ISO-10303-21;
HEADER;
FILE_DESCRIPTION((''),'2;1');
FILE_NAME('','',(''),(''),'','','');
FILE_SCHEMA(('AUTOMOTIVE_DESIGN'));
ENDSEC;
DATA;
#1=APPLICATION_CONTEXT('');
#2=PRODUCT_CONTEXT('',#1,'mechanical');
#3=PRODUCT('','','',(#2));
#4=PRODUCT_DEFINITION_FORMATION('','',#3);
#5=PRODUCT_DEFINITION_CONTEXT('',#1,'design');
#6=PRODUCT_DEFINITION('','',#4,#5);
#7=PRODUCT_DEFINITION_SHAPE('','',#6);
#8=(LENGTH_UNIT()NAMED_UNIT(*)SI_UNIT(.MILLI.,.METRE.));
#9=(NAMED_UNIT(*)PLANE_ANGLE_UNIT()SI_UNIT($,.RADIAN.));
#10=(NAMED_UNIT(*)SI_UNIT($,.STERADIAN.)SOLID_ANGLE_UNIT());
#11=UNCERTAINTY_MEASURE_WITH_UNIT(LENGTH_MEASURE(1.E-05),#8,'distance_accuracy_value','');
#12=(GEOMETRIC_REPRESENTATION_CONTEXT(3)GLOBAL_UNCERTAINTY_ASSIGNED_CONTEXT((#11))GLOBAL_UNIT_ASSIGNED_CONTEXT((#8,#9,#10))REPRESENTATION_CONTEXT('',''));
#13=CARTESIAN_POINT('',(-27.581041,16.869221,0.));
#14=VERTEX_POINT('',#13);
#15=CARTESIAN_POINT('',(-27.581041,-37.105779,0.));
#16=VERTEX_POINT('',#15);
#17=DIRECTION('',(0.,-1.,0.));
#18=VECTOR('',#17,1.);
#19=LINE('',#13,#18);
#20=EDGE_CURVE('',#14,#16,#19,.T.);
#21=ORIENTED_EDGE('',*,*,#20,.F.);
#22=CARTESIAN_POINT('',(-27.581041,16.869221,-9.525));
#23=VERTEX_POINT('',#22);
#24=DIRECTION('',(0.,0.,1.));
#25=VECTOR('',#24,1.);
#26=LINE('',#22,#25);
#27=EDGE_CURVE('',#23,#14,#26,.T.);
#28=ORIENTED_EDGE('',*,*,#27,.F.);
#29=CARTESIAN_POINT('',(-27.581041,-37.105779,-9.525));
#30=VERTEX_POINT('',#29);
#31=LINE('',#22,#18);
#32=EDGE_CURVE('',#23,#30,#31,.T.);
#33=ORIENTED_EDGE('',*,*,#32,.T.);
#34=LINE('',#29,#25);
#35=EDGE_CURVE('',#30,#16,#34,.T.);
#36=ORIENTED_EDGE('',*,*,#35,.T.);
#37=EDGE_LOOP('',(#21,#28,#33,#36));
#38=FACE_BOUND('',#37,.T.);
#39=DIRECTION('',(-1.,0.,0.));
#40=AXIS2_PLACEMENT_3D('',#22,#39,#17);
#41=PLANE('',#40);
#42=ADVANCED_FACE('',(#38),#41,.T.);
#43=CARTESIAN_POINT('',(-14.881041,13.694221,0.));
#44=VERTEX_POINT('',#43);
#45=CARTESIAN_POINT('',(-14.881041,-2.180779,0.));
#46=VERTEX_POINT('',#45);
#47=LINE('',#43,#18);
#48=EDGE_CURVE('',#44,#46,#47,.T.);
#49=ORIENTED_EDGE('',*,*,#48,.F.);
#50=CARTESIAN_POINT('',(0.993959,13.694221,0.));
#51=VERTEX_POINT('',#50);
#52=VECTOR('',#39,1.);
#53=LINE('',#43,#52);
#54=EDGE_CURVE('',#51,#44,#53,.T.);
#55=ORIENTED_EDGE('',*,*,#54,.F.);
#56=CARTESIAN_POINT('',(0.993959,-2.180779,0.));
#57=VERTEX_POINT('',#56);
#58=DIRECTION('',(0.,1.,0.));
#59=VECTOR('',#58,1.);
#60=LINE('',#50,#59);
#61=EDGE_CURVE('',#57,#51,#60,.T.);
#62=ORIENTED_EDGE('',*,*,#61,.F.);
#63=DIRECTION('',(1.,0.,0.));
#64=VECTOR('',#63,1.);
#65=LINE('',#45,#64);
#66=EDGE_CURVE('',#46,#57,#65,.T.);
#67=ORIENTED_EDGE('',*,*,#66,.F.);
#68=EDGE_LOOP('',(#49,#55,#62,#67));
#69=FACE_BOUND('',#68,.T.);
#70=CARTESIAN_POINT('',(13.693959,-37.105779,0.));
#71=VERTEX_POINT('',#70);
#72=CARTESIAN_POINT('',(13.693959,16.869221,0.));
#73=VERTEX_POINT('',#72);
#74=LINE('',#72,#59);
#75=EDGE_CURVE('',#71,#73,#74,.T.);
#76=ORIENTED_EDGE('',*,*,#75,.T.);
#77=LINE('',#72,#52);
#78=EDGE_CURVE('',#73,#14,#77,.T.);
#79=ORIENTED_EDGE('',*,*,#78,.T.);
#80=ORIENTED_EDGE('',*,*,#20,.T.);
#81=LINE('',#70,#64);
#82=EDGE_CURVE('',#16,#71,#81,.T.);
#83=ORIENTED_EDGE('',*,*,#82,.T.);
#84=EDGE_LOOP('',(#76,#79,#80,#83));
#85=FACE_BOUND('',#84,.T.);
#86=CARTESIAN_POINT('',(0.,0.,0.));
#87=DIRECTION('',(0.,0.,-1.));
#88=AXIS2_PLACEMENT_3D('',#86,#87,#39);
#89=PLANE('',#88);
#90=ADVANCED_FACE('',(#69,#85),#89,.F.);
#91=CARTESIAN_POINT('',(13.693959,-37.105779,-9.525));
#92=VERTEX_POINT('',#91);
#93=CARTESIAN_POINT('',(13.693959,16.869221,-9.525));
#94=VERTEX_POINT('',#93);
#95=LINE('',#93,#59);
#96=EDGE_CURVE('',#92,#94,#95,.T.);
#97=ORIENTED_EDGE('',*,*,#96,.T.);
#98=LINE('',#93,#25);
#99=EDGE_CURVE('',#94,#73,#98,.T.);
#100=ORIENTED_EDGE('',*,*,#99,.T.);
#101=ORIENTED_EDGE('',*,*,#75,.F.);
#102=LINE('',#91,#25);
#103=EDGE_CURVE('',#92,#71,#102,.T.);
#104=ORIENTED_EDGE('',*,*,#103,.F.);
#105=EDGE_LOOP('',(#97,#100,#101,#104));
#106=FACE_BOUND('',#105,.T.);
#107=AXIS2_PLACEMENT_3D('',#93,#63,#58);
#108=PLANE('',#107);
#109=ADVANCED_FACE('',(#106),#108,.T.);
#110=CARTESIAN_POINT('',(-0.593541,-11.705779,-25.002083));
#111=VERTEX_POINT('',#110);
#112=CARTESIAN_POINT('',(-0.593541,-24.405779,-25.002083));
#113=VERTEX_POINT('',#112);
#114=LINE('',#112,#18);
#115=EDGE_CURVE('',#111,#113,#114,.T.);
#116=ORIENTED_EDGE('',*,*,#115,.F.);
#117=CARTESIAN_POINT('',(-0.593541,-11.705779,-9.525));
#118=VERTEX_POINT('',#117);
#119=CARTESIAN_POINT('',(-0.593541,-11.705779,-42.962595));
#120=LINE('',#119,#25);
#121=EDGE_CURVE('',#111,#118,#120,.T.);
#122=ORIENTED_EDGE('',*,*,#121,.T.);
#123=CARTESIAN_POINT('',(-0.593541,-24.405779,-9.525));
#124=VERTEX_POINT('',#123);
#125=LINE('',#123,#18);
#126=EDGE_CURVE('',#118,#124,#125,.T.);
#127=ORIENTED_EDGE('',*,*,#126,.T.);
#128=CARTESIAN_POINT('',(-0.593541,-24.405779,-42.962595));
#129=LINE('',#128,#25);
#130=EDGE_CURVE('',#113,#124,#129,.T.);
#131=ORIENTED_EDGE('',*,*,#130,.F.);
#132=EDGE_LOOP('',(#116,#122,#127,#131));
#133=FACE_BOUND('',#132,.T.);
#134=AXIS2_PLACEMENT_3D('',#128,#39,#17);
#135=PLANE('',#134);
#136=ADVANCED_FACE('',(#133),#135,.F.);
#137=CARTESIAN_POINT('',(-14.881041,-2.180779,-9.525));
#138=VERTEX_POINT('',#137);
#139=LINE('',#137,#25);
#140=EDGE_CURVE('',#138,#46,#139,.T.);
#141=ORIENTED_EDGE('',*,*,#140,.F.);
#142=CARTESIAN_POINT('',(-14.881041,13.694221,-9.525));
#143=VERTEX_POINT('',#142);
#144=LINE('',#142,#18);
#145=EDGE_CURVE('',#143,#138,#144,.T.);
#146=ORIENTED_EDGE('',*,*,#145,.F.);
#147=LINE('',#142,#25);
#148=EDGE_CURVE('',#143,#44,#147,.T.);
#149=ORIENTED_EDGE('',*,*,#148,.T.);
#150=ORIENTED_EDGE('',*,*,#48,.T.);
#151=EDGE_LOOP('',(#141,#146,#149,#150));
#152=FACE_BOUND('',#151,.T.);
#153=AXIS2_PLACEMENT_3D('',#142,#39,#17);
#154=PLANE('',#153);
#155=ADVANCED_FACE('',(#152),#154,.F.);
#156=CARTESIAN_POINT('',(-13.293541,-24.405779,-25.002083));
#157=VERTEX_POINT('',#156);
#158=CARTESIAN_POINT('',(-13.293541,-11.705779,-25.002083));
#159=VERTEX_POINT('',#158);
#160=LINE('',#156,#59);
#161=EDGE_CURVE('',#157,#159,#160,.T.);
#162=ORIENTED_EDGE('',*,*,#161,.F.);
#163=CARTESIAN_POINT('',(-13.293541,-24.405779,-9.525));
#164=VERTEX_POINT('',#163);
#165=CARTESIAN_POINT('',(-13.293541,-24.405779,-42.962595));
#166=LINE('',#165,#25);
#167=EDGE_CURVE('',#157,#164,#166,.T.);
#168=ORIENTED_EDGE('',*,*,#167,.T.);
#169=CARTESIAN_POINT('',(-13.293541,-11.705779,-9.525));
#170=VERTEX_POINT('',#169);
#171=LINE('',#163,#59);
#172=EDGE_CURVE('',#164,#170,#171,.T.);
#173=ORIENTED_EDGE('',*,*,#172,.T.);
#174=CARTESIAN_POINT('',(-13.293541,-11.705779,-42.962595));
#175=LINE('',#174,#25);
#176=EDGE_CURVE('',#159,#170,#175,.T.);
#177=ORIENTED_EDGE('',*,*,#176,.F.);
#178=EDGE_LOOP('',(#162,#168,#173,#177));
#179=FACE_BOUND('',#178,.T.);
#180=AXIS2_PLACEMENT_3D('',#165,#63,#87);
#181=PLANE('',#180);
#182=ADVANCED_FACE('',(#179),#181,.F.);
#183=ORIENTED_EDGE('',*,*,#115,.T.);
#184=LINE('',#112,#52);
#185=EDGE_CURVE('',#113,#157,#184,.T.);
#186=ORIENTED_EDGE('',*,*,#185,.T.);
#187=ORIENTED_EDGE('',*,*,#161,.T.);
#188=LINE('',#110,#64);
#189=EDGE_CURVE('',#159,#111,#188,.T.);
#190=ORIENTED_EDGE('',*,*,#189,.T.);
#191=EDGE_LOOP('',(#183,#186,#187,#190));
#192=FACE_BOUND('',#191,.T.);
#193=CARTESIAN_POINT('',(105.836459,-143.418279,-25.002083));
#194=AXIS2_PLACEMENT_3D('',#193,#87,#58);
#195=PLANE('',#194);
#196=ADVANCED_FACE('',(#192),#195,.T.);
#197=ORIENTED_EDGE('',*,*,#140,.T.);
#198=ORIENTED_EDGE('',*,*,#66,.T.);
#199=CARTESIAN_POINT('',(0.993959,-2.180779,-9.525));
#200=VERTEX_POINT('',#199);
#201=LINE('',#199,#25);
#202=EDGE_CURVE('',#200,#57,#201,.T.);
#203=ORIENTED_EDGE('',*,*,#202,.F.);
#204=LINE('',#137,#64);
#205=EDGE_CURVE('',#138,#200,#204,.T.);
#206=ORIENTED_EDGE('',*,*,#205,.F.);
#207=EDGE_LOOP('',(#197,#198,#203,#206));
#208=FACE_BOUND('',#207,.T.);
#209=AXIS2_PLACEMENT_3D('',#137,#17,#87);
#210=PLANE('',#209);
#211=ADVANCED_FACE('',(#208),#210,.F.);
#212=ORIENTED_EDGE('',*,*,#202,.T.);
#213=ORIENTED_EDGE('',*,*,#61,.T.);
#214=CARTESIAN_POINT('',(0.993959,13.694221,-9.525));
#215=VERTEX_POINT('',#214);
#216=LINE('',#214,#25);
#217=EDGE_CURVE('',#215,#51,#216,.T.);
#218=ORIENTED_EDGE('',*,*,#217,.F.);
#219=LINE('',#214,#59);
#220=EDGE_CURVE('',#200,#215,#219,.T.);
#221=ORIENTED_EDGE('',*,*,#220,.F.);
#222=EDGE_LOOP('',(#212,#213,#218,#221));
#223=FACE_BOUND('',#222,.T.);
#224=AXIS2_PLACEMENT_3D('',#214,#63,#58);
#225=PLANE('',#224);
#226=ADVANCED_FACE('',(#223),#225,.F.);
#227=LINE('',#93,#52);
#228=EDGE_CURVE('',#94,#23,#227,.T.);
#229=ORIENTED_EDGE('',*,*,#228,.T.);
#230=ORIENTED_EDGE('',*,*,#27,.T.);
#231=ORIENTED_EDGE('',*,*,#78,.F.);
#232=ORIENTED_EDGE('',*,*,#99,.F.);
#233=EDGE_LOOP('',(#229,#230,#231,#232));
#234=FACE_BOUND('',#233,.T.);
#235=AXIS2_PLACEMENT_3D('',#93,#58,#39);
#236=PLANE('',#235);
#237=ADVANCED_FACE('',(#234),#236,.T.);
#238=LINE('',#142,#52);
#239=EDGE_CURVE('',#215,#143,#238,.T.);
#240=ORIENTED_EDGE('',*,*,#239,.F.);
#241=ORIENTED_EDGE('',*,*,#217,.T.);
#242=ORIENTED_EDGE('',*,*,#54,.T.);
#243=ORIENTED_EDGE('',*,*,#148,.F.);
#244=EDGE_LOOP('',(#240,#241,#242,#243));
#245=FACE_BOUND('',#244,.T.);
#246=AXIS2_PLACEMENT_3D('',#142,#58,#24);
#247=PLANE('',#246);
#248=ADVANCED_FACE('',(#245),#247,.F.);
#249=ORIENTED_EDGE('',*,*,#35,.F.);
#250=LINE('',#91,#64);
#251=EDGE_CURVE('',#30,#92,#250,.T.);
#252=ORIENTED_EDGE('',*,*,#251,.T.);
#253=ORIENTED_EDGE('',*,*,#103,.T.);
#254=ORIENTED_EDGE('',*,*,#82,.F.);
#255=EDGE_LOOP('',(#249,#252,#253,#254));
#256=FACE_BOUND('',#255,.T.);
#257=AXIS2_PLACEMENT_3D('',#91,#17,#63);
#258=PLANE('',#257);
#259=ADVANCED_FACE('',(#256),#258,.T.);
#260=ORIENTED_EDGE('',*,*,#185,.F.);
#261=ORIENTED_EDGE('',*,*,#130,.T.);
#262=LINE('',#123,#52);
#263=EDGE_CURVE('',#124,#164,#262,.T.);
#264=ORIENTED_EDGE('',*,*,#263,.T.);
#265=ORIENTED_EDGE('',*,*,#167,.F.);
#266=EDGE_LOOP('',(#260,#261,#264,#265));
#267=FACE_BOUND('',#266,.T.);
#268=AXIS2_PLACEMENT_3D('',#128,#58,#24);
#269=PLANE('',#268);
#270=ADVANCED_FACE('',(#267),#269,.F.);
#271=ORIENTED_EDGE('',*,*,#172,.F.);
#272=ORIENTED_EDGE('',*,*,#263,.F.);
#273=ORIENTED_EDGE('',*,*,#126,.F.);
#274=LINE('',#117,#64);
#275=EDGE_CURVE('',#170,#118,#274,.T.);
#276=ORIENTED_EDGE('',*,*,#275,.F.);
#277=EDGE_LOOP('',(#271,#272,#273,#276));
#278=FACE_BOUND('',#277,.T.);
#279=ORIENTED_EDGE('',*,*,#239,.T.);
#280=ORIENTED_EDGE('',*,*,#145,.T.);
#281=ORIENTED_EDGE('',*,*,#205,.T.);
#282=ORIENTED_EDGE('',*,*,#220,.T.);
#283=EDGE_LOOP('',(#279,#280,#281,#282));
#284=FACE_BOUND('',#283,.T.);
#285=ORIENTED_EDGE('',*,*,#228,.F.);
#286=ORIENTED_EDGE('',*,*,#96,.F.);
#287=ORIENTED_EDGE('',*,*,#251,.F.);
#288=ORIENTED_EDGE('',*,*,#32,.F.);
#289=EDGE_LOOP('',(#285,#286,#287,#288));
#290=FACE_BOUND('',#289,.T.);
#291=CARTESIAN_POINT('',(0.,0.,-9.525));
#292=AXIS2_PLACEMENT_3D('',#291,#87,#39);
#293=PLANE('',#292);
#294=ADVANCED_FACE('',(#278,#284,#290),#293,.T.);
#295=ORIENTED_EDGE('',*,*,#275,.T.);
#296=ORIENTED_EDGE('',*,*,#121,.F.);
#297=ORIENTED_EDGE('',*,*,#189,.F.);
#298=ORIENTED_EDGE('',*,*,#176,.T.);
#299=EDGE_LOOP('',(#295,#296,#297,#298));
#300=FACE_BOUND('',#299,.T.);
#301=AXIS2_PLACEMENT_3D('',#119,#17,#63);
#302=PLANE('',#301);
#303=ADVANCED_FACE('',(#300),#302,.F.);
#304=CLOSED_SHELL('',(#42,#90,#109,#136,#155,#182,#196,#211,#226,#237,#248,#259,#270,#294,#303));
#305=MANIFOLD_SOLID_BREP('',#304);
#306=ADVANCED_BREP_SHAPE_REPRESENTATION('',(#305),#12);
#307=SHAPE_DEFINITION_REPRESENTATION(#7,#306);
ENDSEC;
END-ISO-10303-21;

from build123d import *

# Parameters (mm, degrees)
SKETCH1_W           = 41.275
SKETCH1_H           = 53.975
SKETCH1_W_2         = 15.875
SKETCH1_H_2         = 15.875
BOSS_EXTRUDE1_DEPTH = 9.525
SKETCH2_W           = 12.7
SKETCH2_H           = 12.7
BOSS_EXTRUDE2_DEPTH = 15.477083255


with BuildPart() as part:
    # Sketch1 → Boss-Extrude1 (new body)
    with BuildSketch(Plane.XY):
        with Locations((-6.943541269, -10.118279033)):
            Rectangle(SKETCH1_W, SKETCH1_H)
        with Locations((-6.943541269, 5.756720967)):
            Rectangle(SKETCH1_W_2, SKETCH1_H_2, mode=Mode.SUBTRACT)
    extrude(amount=-BOSS_EXTRUDE1_DEPTH)

    # Sketch2 → Boss-Extrude2 (add)
    with BuildSketch(Plane(origin=(0, 0, -9.525), x_dir=(-1, 0, 0), z_dir=(0, 0, -1))):
        with Locations((6.943541269, -18.055779033)):
            Rectangle(SKETCH2_W, SKETCH2_H)
    extrude(amount=BOSS_EXTRUDE2_DEPTH)


solid = part.part
